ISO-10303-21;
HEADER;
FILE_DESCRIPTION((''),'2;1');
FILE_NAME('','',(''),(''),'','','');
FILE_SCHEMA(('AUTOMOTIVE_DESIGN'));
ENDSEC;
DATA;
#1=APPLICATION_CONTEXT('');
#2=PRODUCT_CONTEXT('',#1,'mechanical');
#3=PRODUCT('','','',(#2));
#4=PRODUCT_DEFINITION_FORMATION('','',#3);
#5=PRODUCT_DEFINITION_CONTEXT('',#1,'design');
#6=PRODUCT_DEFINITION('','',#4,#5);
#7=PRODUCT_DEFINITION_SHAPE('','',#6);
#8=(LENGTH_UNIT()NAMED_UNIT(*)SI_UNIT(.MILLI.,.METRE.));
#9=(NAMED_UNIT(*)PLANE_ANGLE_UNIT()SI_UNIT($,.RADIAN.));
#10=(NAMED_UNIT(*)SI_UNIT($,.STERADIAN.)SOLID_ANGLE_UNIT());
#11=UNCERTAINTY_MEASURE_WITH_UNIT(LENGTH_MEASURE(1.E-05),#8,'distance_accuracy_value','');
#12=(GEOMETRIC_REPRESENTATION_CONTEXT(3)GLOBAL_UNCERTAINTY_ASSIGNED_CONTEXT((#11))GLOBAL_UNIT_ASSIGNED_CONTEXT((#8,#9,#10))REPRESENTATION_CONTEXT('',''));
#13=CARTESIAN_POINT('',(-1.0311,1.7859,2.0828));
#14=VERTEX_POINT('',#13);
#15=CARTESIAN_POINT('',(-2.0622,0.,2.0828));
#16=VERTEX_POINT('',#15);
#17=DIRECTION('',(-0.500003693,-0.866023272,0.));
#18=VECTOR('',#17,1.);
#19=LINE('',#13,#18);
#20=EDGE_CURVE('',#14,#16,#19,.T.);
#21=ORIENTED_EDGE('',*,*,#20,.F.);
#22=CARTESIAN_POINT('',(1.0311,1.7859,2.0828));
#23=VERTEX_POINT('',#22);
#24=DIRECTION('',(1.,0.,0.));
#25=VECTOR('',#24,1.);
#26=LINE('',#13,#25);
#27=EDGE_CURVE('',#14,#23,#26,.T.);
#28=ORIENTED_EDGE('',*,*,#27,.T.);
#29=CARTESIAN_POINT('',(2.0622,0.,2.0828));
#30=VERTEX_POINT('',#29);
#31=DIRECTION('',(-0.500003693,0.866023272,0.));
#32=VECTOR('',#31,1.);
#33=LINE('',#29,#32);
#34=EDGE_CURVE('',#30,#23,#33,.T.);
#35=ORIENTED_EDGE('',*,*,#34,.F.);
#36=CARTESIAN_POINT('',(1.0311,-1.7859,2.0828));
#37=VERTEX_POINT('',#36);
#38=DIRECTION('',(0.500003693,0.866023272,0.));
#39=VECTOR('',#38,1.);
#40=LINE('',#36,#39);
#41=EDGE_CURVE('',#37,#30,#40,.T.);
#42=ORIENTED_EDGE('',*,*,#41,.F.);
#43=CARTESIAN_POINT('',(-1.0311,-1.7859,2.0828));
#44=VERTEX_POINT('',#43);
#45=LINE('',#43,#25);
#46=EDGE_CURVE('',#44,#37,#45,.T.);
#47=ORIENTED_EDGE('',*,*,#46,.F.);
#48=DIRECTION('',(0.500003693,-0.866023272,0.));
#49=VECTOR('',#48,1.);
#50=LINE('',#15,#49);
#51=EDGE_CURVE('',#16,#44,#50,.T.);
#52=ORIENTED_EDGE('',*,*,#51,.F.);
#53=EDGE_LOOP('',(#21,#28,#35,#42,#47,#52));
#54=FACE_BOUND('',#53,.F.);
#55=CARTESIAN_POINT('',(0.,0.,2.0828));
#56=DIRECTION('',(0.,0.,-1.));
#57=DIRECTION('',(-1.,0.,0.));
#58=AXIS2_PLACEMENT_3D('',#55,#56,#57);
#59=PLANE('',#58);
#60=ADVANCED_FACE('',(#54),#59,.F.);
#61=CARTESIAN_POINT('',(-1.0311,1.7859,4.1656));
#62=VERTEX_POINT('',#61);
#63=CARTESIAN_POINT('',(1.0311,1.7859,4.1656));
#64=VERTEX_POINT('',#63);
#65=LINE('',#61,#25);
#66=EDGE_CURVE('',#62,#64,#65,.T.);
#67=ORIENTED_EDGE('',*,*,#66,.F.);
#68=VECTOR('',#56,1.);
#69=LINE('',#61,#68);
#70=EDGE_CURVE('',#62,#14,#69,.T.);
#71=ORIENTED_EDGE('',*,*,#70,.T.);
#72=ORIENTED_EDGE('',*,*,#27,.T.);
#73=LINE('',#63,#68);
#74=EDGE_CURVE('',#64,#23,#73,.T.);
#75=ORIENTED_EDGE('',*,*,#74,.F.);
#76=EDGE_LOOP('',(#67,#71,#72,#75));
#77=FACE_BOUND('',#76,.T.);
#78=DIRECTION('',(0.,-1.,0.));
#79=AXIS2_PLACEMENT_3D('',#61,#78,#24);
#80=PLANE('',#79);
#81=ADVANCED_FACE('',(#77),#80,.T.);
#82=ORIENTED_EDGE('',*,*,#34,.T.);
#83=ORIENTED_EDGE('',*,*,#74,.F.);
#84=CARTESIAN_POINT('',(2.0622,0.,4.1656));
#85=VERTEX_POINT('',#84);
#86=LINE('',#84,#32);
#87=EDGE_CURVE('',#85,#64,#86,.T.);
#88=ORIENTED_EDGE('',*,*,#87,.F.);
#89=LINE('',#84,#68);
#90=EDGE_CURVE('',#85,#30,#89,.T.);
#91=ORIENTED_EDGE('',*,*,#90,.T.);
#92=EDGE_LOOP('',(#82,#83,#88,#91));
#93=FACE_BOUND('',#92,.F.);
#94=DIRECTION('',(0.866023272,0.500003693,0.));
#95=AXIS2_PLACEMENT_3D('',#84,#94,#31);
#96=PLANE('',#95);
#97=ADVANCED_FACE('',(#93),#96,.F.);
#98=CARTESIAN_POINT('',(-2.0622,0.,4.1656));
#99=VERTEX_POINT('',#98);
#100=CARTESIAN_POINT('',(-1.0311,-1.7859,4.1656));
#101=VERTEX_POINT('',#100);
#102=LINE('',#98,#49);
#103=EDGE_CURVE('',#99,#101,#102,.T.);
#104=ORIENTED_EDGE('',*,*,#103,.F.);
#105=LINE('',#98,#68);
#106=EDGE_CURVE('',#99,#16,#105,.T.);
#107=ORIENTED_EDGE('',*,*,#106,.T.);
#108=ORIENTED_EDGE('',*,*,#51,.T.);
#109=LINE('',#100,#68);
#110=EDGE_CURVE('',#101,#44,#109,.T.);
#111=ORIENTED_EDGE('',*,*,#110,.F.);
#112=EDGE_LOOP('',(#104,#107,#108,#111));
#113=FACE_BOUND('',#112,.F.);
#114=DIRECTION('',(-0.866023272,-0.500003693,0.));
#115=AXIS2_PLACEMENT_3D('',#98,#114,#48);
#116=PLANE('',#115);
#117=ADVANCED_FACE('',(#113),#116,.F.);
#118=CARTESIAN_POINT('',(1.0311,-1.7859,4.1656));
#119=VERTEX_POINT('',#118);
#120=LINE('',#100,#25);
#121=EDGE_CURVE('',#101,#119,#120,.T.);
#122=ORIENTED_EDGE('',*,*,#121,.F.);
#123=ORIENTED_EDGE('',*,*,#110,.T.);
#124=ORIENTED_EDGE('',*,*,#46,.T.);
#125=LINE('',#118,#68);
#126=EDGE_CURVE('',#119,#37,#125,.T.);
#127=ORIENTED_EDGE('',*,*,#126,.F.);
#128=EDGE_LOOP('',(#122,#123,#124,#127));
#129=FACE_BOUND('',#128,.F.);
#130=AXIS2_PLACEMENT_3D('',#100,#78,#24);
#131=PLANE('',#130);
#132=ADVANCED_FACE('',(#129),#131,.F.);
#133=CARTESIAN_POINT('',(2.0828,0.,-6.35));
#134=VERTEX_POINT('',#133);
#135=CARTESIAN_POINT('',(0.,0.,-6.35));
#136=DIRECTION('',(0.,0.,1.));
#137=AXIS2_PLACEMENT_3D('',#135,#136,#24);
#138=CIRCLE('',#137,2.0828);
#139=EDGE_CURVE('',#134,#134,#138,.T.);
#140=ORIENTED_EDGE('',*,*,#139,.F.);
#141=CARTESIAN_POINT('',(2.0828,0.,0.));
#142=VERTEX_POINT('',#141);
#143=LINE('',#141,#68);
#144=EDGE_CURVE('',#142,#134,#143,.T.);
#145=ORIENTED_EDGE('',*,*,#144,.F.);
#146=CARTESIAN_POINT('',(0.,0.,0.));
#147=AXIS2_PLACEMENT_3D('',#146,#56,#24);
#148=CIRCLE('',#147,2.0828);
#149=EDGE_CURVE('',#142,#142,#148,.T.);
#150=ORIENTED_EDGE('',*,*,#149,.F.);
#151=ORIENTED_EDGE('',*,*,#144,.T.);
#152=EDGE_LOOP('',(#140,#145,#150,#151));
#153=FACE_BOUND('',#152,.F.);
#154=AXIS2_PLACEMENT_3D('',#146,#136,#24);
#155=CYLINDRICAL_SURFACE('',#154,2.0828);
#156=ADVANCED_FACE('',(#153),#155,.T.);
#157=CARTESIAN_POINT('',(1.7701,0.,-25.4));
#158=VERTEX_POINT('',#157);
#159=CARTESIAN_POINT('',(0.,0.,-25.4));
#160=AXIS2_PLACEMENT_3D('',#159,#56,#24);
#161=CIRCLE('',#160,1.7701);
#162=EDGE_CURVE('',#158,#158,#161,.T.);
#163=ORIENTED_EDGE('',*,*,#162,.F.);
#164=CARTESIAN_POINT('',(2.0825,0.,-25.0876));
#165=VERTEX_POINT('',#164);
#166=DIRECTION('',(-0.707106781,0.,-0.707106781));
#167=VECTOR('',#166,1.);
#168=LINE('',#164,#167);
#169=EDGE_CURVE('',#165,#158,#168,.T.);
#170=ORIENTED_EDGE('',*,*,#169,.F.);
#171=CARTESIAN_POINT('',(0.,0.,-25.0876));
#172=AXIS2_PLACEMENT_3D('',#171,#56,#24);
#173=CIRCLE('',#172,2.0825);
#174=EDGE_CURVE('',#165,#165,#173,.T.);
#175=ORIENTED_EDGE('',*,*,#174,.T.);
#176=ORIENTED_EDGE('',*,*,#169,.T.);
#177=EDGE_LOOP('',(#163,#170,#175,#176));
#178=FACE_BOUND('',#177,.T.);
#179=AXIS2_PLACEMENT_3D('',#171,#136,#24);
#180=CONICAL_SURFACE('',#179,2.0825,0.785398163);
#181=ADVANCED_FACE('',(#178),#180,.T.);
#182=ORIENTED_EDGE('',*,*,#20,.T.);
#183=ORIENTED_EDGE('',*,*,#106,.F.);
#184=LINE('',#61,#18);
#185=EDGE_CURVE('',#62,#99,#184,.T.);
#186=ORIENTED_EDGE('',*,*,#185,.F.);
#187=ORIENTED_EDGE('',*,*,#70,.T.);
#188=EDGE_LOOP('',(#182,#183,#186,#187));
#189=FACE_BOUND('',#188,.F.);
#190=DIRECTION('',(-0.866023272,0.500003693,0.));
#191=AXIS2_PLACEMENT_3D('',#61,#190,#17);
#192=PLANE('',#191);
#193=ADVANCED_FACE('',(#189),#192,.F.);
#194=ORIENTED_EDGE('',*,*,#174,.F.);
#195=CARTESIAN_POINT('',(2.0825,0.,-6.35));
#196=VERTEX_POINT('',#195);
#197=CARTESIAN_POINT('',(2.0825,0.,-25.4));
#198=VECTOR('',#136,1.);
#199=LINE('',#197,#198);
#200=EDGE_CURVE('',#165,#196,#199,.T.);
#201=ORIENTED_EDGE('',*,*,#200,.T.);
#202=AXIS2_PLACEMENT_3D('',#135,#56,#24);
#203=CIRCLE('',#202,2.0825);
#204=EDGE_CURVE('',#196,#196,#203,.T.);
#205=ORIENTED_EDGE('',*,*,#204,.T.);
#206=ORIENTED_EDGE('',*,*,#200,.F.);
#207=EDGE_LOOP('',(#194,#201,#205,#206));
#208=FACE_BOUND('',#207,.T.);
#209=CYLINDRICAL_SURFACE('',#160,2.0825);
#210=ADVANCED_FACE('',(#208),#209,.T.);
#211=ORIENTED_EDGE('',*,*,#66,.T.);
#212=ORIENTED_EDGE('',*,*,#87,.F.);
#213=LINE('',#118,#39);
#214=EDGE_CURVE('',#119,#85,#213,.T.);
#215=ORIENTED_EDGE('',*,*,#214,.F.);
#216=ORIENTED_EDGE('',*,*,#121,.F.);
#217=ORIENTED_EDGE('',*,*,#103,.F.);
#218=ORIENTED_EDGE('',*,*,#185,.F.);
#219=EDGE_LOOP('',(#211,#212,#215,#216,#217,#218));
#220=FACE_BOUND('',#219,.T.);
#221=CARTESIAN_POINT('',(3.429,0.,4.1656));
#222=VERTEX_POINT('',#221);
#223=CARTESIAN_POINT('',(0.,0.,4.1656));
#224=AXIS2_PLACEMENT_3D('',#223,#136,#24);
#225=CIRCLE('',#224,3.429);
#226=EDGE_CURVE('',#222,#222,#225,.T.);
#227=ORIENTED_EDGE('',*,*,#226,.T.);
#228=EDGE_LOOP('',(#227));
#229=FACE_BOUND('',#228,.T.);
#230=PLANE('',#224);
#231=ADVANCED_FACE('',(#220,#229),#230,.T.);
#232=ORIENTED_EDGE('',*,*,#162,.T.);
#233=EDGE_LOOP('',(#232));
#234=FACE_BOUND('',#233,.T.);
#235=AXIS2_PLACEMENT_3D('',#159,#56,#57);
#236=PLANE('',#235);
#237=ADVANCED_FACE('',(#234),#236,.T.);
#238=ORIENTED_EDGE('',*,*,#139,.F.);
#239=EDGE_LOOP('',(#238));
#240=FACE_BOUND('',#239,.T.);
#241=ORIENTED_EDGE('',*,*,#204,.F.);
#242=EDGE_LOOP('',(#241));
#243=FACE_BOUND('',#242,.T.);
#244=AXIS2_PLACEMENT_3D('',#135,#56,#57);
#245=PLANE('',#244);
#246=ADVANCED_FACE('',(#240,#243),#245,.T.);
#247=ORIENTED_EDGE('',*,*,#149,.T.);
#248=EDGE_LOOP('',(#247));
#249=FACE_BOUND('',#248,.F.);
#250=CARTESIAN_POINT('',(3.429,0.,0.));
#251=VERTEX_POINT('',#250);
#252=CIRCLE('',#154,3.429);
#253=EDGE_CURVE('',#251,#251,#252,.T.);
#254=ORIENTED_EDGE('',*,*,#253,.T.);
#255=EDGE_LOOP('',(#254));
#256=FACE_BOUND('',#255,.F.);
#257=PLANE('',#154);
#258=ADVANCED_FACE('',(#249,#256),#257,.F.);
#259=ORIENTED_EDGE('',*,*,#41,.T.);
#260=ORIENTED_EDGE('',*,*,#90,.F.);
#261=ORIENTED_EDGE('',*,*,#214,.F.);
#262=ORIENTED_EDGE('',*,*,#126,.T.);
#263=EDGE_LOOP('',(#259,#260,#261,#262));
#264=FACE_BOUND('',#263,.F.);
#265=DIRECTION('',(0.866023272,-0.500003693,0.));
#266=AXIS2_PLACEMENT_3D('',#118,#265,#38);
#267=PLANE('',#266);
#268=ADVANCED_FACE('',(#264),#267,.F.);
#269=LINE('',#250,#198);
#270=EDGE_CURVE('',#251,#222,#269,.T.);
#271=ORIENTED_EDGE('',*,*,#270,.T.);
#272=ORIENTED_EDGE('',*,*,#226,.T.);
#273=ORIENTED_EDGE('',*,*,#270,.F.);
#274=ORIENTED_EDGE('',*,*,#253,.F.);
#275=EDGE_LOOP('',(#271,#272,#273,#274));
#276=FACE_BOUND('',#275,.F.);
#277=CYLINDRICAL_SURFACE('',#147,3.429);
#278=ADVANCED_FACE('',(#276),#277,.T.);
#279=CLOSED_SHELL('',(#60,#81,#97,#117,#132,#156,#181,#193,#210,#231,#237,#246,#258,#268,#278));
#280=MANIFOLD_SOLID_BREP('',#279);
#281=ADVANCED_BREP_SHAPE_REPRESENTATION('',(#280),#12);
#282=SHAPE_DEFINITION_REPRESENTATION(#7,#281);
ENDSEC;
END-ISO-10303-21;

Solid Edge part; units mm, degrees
sketch "Sketch1" plane through (0, 0, 0) normal (0, 0, 1) x (1, 0, 0)
  circle A0 centre (0, 0) radius 3.429
  dimension "D1" = 6.858
extrude "Protrusion1" add sketch "Sketch1" along normal blind 4.1656
sketch "Sketch2" plane through (0, 0, 0) normal (0, 0, -1) x (1, 0, 0)
  circle A0 centre (0, 0) radius 2.0828
extrude "Protrusion2" add sketch "Sketch2" along normal blind 25.4
sketch "Sketch3" plane through (0, 0, -25.4) normal (0, 0, -1) x (1, 0, 0)
  circle A0 centre (0, 0) radius 2.0825
extrude "Cutout1" cut sketch "Sketch3" against normal blind 19.05 flip side to cut
chamfer "Chamfer_1" distance 0.3124 angle 45 1 edges at (-2.0825, 0, -25.4)
sketch "Sketch4" plane through (0, 0, 4.1656) normal (0, 0, 1) x (1, 0, 0)
  line L0 (-1.0311, 1.7859) -> (1.0311, 1.7859)
  line L1 (2.0622, 0) -> (1.0311, 1.7859)
  line L2 (1.0311, -1.7859) -> (2.0622, 0)
  line L3 (-1.0311, -1.7859) -> (1.0311, -1.7859)
  line L4 (-2.0622, 0) -> (-1.0311, -1.7859)
  line L5 (-1.0311, 1.7859) -> (-2.0622, 0)
  dimension "D1" = 3.5719
extrude "Cutout2" cut sketch "Sketch4" against normal blind 2.0828
properties part number "24101590"
